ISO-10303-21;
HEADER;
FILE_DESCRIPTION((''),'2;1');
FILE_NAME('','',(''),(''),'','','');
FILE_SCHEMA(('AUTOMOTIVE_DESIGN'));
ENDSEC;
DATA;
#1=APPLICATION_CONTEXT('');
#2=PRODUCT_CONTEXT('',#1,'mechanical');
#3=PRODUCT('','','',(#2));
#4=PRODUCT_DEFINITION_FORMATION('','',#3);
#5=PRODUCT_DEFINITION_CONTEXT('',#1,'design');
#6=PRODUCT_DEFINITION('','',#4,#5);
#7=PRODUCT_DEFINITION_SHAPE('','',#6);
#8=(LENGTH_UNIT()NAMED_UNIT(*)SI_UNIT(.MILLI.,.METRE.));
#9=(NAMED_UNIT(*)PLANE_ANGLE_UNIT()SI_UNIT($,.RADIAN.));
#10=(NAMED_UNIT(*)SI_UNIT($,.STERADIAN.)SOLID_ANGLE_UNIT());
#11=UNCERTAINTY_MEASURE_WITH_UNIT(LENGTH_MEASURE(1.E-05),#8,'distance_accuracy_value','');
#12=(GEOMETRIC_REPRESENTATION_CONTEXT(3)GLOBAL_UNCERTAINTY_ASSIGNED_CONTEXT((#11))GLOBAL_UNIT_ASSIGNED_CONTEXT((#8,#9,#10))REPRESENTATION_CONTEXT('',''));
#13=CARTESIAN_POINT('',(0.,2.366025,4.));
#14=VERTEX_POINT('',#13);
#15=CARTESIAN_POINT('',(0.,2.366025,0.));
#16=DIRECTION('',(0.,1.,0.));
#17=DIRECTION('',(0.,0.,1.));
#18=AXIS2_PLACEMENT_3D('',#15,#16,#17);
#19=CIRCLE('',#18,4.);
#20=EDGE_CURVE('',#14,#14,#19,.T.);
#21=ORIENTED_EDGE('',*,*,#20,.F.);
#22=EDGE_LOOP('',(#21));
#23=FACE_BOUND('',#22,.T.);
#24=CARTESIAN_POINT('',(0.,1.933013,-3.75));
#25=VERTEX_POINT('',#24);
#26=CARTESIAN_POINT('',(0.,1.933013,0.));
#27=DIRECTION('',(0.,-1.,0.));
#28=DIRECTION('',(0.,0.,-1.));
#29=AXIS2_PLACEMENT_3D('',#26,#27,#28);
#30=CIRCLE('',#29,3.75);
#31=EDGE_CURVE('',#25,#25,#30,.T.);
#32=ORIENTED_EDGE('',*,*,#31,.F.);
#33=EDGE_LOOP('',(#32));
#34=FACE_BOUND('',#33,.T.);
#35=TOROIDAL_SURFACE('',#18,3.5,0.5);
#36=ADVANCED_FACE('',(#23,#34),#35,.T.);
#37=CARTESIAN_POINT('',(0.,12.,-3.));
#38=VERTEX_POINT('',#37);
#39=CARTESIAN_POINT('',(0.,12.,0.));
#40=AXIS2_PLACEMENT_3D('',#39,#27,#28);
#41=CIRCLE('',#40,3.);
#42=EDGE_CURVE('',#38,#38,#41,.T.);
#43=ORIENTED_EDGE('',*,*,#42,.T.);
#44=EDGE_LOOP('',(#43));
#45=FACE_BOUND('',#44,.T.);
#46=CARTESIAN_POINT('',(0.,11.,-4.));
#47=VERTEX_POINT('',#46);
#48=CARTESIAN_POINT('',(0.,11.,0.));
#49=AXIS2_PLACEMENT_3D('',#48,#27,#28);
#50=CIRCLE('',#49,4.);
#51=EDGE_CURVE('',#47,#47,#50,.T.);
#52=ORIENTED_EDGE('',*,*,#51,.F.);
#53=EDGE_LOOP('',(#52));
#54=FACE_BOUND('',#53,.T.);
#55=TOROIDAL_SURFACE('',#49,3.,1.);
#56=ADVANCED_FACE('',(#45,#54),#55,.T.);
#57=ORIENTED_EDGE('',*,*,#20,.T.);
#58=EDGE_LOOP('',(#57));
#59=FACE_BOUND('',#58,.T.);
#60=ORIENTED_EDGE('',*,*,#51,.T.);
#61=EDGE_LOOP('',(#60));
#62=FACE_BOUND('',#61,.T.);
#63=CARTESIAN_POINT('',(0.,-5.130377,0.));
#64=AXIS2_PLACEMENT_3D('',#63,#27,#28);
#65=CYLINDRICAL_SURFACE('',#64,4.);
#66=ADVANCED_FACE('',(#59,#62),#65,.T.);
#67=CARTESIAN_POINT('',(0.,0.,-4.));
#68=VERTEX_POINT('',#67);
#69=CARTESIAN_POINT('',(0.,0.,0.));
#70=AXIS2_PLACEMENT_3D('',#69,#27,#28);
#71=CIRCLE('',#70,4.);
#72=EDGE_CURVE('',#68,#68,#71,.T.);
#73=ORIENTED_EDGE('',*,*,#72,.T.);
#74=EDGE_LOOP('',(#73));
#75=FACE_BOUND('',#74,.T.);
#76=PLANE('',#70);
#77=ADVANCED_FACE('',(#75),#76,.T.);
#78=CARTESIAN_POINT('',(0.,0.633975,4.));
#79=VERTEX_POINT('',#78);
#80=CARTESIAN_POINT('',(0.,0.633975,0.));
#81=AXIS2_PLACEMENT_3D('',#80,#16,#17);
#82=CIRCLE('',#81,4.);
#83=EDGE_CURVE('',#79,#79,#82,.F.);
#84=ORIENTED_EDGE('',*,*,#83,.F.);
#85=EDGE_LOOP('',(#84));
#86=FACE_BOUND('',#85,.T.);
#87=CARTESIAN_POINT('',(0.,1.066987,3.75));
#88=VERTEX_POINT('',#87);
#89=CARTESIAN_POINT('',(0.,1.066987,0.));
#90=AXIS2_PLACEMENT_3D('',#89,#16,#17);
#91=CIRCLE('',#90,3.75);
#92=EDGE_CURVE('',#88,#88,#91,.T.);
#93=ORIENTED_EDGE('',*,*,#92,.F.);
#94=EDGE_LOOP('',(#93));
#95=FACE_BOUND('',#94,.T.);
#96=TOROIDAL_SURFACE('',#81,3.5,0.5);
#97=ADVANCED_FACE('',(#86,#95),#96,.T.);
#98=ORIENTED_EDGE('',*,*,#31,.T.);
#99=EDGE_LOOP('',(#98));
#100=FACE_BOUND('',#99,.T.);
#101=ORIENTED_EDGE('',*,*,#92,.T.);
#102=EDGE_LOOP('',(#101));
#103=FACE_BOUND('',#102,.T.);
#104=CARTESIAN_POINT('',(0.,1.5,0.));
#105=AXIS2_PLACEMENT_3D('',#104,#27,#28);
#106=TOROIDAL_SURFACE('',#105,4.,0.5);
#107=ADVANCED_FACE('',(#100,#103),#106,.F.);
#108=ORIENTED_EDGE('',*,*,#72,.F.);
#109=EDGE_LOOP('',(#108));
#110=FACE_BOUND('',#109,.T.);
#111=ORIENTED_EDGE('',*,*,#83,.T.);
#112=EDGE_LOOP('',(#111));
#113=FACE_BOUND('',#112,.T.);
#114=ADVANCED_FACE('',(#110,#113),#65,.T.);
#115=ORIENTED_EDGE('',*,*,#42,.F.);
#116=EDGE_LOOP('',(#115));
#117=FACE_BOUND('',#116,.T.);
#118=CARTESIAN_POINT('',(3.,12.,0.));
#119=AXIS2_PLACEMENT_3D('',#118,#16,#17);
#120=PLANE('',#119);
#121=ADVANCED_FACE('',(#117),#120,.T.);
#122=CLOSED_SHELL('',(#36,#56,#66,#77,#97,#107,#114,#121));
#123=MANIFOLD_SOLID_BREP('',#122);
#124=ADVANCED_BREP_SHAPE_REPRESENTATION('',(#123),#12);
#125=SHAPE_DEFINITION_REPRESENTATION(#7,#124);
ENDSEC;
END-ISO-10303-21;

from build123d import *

# Parameters (mm, degrees)
FILLET1_R = 0.5


with BuildPart() as part:
    # Sketch1 → Revolve1 (revolve)
    with BuildSketch(Plane.XY, mode=Mode.PRIVATE) as revolve1_sk:
        with BuildLine():
            Line((0, 0), (4, 0))
            Line((4, 0), (4, 1))
            ThreePointArc((4, 1), (3.5, 1.5), (4, 2))
            Line((4, 2), (4, 11))
            ThreePointArc((4, 11), (3.707106781, 11.707106781), (3, 12))
            Line((3, 12), (0, 12))
            Line((0, 12), (0, 0))
        make_face()
    revolve(revolve1_sk.sketch.rotate(Axis((0, -5.130376558, 0), (0, 1, 0)), 90), axis=Axis((0, -5.130376558, 0), (0, 1, 0)))

    # Fillet1
    fillet1_edges = [part.edges().sort_by_distance(p)[0] for p in [
        (0, 2, 4),
        (0, 1, 4),
    ]]
    fillet(fillet1_edges, radius=FILLET1_R)


solid = part.part
